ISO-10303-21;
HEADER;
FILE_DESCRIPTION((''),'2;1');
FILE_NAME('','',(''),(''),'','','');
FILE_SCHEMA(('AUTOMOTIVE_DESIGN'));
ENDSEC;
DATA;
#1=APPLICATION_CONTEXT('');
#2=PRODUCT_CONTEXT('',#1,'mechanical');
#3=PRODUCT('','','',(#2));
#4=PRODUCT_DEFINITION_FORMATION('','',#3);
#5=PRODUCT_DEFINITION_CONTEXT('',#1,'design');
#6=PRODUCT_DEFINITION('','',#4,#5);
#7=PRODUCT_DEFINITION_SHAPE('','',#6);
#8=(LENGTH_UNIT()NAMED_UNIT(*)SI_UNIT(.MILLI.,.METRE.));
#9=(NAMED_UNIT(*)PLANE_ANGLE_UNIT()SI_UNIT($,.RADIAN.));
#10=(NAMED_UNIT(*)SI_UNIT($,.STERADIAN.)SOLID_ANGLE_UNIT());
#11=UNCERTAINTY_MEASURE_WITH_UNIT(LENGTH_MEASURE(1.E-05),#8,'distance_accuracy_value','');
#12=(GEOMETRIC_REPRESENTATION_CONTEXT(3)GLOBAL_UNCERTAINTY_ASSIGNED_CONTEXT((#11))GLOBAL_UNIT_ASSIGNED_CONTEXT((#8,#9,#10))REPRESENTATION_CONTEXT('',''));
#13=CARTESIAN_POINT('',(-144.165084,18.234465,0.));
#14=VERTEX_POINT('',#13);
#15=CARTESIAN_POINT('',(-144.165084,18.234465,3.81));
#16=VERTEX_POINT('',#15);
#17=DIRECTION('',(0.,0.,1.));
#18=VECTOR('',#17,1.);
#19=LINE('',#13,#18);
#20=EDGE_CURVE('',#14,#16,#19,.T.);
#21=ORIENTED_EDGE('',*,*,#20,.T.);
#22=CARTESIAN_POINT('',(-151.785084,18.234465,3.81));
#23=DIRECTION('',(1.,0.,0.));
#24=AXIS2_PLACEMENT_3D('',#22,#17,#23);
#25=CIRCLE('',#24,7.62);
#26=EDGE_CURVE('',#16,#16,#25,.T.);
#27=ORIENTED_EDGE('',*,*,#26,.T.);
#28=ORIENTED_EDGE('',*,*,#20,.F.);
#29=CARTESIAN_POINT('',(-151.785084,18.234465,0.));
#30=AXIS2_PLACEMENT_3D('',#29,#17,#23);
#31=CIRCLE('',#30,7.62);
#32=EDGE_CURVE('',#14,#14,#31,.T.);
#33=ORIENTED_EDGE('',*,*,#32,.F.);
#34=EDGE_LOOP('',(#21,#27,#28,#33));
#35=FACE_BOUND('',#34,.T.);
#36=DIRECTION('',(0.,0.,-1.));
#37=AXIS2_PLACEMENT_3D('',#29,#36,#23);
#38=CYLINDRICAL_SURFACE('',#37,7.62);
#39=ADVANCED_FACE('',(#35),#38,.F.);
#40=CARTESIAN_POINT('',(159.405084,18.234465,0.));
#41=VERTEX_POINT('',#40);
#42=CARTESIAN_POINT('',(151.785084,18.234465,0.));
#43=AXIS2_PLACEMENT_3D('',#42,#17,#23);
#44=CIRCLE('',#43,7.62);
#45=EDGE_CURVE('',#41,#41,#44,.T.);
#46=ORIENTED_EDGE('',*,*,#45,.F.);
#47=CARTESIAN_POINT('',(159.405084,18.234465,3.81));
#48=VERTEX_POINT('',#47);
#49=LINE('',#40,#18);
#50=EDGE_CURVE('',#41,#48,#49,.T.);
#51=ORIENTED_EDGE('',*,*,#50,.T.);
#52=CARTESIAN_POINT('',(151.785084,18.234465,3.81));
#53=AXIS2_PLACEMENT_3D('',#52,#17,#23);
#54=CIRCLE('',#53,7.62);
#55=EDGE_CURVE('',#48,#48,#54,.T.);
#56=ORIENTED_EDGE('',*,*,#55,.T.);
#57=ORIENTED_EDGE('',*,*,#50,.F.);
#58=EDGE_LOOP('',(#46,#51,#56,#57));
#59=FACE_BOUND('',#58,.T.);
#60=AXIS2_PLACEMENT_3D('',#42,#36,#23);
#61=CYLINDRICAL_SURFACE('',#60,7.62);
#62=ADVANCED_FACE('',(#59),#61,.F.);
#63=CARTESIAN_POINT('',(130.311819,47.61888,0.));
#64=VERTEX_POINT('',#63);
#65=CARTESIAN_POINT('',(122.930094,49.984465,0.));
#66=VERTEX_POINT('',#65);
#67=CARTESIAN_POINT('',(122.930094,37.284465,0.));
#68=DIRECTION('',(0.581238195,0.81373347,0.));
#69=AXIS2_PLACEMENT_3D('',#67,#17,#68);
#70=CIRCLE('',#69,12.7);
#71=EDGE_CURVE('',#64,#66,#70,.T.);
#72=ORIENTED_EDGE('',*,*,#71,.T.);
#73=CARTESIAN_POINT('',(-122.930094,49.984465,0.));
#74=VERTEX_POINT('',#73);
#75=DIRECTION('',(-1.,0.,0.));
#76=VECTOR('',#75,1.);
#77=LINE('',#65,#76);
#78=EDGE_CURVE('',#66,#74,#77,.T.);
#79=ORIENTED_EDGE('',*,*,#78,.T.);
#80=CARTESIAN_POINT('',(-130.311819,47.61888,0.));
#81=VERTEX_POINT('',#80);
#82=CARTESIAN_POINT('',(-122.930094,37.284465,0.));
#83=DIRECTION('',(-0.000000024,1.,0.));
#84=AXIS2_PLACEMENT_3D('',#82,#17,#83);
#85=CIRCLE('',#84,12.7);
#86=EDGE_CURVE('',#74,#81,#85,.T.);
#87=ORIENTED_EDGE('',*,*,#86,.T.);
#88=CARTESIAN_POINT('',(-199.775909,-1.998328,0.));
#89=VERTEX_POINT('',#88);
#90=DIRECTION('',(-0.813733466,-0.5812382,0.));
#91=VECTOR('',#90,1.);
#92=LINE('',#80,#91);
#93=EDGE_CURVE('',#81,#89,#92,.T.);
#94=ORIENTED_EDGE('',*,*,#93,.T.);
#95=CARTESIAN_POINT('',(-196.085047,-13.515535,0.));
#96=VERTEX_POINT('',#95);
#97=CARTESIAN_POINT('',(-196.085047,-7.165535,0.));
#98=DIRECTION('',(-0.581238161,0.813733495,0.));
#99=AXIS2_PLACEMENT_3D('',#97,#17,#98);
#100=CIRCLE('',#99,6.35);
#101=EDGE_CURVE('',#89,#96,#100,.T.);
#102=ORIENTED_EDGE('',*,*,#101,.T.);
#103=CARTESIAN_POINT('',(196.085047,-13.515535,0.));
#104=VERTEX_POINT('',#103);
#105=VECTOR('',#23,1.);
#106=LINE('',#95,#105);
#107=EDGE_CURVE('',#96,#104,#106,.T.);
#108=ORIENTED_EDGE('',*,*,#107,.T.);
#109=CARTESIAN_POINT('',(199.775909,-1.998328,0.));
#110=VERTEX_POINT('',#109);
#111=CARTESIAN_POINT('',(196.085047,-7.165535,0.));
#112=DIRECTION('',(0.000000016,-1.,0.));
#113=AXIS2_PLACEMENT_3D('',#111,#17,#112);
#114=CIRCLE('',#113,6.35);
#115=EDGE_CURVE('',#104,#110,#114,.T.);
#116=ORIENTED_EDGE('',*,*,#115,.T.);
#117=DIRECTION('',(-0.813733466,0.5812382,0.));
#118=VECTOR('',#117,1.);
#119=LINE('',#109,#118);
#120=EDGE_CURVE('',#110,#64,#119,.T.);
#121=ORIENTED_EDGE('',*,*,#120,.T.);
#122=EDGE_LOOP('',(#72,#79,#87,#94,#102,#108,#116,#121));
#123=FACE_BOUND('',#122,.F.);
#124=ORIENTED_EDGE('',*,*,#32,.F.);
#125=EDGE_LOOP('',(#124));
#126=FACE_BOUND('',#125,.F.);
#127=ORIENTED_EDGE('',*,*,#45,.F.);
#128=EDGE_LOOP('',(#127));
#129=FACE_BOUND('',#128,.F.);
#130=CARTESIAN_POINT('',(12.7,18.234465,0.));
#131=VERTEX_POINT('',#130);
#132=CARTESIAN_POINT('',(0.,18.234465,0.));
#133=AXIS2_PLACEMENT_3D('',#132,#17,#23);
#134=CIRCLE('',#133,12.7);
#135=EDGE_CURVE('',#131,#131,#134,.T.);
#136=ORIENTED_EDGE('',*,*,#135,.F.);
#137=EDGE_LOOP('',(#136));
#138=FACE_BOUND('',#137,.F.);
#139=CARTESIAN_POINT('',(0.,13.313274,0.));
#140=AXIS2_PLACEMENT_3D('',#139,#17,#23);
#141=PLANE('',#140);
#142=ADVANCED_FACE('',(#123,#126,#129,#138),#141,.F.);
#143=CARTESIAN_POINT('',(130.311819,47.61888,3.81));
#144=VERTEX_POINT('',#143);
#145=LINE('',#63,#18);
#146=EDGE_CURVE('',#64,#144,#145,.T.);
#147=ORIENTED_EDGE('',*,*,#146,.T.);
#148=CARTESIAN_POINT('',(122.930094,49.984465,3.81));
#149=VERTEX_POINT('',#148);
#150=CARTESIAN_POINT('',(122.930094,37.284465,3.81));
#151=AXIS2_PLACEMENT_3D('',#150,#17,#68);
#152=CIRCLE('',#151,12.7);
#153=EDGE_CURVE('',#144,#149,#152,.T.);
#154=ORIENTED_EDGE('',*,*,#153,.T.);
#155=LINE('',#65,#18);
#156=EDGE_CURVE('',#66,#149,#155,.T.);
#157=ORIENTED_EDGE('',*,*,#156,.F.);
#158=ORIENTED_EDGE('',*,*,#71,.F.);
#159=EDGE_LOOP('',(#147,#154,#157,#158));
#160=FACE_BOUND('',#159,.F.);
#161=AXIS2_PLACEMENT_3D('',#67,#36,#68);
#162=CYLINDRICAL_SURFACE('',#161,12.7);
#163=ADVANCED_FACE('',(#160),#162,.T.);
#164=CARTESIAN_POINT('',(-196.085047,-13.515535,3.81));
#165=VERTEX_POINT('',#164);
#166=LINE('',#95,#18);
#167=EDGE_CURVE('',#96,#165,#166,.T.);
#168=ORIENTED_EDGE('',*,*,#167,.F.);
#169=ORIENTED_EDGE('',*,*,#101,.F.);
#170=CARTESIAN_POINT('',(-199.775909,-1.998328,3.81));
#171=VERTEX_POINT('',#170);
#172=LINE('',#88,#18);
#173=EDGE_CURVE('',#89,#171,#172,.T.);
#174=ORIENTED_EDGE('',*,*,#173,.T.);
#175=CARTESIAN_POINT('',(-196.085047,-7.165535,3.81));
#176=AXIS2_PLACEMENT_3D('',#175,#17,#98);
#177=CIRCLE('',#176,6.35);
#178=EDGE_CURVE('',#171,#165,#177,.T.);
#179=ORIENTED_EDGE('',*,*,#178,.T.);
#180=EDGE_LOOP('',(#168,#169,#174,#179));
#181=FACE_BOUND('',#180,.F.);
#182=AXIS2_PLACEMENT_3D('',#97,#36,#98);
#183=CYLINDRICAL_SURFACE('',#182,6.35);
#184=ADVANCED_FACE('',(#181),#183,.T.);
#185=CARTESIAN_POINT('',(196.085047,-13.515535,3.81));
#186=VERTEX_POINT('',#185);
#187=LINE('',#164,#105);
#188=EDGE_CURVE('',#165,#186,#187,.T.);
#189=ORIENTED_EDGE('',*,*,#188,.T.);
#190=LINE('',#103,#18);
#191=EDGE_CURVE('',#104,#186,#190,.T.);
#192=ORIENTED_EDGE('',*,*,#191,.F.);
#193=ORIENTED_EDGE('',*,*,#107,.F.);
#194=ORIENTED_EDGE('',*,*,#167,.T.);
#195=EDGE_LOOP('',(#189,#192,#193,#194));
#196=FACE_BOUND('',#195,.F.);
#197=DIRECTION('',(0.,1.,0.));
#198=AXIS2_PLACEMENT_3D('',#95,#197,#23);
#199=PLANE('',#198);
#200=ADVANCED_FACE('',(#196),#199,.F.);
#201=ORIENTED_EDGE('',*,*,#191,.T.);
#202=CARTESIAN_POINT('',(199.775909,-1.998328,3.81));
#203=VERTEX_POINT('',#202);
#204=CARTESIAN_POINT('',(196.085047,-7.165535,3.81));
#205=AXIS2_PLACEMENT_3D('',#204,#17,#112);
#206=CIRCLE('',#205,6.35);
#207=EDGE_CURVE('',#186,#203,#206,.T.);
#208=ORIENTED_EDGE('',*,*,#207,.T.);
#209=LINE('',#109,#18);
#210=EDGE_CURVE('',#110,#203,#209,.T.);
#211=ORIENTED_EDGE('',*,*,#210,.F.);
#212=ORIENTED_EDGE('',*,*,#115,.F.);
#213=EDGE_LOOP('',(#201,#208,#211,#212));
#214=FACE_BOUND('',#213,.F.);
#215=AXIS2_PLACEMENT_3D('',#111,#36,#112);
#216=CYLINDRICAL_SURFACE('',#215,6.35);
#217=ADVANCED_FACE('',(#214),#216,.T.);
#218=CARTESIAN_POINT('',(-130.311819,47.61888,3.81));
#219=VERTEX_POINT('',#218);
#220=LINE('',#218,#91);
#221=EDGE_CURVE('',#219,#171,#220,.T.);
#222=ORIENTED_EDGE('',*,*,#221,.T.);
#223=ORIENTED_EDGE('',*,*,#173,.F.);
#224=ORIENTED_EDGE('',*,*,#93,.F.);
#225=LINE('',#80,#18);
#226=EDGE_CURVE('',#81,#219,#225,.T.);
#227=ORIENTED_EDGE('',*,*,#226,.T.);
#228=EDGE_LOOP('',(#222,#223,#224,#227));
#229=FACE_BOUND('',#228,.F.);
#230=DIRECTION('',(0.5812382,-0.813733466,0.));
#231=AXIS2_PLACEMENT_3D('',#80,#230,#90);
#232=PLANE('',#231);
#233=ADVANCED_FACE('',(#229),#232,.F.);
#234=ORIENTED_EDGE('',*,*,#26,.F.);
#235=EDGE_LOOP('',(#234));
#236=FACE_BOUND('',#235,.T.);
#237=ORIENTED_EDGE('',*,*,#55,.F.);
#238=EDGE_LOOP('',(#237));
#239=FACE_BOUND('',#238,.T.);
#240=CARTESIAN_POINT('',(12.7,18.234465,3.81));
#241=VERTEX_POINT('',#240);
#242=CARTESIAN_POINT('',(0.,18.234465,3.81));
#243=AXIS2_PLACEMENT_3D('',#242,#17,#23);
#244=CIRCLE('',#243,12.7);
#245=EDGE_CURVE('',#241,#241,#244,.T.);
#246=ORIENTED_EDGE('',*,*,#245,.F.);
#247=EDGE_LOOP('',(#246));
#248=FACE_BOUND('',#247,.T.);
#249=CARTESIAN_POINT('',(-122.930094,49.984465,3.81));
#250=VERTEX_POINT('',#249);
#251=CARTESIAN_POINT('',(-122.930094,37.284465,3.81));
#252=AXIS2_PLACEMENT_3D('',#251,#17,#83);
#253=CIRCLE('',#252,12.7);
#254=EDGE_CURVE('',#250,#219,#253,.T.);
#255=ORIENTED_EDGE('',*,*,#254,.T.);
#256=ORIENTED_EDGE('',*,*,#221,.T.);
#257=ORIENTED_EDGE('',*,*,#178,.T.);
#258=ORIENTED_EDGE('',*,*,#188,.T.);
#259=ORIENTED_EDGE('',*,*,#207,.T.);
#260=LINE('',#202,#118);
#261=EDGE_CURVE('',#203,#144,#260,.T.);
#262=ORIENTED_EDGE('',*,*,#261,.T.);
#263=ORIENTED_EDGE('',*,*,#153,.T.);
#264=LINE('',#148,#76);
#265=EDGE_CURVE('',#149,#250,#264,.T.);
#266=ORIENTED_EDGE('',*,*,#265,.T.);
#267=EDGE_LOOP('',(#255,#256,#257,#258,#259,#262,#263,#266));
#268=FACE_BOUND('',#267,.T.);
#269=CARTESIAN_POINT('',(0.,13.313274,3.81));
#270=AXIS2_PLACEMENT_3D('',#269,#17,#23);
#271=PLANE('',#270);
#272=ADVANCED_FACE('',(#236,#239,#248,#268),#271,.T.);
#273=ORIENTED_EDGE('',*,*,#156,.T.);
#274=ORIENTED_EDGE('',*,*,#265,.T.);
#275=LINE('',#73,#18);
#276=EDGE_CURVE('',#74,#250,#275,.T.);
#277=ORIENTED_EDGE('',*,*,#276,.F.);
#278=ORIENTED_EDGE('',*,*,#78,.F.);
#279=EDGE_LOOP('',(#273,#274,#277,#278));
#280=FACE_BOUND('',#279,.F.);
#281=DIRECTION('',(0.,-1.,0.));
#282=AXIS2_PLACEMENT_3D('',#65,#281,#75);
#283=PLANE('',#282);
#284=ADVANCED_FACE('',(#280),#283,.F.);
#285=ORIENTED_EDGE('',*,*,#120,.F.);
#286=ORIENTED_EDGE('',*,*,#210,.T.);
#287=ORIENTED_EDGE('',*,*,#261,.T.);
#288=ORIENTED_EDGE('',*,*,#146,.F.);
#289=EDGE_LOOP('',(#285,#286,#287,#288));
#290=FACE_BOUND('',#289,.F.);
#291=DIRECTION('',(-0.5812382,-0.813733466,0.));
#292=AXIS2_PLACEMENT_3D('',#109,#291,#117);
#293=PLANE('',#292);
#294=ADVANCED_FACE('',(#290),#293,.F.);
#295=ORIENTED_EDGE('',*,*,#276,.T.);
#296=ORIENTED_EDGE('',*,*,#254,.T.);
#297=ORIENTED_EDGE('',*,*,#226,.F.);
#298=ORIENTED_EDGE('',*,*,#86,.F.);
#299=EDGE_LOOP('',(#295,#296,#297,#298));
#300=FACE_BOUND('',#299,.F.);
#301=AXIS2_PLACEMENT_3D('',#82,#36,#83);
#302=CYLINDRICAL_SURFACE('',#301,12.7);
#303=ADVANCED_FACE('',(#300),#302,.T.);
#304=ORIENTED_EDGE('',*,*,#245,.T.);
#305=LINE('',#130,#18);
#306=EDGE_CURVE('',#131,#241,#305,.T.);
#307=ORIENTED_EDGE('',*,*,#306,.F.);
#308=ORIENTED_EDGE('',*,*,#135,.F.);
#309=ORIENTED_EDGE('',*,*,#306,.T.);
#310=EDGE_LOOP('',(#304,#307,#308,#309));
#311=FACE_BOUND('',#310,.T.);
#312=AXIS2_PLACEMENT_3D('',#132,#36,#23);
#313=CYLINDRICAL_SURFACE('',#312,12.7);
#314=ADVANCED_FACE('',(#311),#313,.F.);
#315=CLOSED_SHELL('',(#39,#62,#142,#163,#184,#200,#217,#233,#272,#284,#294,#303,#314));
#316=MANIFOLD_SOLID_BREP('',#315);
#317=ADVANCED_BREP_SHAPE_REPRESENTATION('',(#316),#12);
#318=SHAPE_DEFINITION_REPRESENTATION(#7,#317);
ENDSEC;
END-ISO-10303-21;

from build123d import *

# Parameters (mm, degrees)
F0_R     = 7.62
F0_R_2   = 12.7
F1_DEPTH = 3.81


with BuildPart() as f1:
    # F0 (on Top) → F1 (new body)
    with BuildSketch(Plane.XY):
        with BuildLine():
            Line((-196.085047, -13.515535), (0, -13.515535))
            Line((0, -13.515535), (196.085047, -13.515535))
            ThreePointArc((196.085047, -13.515535), (202.132123, -9.103412), (199.775909, -1.998328))
            Line((199.775909, -1.998328), (130.311819, 47.61888))
            ThreePointArc((130.311819, 47.61888), (126.805847, 49.378618), (122.930094, 49.984465))
            Line((122.930094, 49.984465), (0, 49.984465))
            Line((0, 49.984465), (-122.930094, 49.984465))
            ThreePointArc((-122.930094, 49.984465), (-126.805847, 49.378618), (-130.311819, 47.61888))
            Line((-130.311819, 47.61888), (-199.775909, -1.998328))
            ThreePointArc((-199.775909, -1.998328), (-202.132123, -9.103412), (-196.085047, -13.515535))
        make_face()
        with Locations((-151.785084, 18.234465)):
            Circle(F0_R, mode=Mode.SUBTRACT)
        with Locations((0, 18.234465)):
            Circle(F0_R_2, mode=Mode.SUBTRACT)
        with Locations((151.785084, 18.234465)):
            Circle(F0_R, mode=Mode.SUBTRACT)
    extrude(amount=F1_DEPTH)


solid = f1.part
